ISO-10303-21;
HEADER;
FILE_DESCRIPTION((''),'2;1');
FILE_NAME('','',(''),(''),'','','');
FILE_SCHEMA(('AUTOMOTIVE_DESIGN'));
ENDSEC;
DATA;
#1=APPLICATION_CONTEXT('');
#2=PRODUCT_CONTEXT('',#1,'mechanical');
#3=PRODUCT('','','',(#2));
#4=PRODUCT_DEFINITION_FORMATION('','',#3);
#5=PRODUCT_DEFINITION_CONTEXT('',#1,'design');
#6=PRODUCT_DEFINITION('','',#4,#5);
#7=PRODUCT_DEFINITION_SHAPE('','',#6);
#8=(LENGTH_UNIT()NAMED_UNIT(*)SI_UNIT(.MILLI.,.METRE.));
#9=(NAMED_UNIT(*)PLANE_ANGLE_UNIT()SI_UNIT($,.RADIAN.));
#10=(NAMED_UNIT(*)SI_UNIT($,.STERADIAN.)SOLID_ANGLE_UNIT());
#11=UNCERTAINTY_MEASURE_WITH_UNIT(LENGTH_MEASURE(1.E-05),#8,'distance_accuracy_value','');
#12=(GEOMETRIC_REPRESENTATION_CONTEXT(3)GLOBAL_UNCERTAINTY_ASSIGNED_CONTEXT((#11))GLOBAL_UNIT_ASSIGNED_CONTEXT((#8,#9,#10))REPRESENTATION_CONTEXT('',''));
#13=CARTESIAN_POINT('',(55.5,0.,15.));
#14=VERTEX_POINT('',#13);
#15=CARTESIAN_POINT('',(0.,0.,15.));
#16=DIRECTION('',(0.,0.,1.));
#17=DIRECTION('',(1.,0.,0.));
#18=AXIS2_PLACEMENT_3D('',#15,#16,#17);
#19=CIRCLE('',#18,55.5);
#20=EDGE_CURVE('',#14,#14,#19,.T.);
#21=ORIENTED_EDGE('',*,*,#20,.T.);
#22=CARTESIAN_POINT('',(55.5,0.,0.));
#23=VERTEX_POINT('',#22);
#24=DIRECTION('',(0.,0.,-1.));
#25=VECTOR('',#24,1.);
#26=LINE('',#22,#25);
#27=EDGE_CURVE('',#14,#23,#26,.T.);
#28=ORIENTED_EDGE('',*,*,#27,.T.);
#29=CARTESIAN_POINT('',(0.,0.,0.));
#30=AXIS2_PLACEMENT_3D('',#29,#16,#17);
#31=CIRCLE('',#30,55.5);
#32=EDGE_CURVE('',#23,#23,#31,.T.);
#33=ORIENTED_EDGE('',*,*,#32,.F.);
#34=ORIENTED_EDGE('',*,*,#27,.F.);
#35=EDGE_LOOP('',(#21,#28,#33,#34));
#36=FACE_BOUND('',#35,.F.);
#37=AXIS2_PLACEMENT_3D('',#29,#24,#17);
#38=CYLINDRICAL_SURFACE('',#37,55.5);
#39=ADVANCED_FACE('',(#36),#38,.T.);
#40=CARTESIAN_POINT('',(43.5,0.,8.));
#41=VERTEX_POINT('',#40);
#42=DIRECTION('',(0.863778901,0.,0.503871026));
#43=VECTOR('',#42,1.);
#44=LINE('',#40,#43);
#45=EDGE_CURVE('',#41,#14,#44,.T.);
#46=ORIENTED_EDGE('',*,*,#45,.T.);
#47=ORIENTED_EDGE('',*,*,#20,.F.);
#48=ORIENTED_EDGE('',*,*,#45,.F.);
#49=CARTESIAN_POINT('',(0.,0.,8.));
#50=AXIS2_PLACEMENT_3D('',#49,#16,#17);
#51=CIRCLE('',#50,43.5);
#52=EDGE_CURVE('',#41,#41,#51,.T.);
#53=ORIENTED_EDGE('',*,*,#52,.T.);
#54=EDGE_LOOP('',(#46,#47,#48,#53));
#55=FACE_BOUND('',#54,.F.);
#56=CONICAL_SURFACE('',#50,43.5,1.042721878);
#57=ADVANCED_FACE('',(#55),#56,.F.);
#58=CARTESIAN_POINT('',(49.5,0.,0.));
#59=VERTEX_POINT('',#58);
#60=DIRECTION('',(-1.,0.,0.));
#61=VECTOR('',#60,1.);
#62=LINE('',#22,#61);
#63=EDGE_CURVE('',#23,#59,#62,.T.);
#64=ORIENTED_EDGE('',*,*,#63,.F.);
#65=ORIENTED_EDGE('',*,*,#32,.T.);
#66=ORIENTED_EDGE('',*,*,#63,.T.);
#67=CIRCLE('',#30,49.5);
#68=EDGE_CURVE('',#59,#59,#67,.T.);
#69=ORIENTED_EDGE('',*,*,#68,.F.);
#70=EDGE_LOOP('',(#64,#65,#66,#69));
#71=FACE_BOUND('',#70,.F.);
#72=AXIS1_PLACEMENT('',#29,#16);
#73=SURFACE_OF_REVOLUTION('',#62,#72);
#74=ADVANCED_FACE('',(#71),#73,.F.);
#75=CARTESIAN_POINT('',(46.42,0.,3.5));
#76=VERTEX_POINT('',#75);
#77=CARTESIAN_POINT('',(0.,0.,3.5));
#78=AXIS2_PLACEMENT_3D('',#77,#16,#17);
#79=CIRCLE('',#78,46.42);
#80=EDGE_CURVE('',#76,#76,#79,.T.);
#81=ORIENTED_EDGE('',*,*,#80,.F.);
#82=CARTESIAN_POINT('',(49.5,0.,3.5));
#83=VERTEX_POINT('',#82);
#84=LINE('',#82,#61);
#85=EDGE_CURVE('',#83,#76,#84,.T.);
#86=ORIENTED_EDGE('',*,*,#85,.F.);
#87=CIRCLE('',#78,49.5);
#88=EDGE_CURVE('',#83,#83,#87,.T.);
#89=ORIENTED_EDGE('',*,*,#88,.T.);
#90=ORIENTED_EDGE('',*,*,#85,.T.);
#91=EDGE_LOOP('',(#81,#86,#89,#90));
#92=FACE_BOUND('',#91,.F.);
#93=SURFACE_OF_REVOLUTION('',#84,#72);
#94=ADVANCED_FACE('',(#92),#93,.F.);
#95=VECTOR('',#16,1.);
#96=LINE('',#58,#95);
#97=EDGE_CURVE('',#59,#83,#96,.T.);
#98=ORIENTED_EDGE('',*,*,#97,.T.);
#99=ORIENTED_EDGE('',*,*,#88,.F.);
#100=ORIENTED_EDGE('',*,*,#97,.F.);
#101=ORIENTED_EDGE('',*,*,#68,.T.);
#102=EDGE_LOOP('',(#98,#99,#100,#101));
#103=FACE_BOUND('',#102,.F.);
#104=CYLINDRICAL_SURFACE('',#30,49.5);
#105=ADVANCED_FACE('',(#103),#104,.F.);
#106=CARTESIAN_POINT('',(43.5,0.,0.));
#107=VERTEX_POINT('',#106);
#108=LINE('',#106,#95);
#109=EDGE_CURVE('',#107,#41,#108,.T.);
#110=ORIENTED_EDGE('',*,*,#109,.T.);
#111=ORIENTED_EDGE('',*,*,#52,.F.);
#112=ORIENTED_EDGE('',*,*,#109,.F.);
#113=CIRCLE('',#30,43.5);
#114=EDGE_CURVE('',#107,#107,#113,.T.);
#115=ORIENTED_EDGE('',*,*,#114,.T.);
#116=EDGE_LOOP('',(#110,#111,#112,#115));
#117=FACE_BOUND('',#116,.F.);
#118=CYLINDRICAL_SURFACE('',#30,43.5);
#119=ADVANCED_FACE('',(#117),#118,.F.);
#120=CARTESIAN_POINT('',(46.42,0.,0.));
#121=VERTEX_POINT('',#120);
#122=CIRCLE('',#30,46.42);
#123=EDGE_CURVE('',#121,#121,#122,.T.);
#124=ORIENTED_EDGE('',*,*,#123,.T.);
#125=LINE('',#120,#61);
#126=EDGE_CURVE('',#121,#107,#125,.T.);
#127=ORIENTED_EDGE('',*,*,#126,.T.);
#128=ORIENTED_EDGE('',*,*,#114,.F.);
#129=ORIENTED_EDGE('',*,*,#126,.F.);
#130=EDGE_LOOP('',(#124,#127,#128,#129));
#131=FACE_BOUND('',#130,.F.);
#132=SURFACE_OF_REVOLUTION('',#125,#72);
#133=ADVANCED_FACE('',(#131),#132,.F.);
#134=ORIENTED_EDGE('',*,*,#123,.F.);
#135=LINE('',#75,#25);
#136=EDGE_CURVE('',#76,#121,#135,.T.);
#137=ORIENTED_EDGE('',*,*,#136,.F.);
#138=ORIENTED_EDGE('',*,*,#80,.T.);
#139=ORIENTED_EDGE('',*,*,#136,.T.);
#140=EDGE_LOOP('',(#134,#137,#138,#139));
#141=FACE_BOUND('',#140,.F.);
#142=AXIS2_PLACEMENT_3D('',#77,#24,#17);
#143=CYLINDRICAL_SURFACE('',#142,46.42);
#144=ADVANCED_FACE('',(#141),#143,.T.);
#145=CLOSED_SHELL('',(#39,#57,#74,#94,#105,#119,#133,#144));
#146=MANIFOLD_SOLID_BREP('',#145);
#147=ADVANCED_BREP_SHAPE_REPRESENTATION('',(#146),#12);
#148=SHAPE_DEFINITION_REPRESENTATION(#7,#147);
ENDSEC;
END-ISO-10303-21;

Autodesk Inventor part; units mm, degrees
ref_plane "YZ Plane" through (0, 0, 0) normal (1, 0, 0) x (0, 1, 0)
ref_plane "XZ Plane" through (0, 0, 0) normal (0, 1, 0) x (-1, 0, 0)
ref_plane "XY Plane" through (0, 0, 0) normal (0, 0, 1) x (1, 0, 0)
sketch "Sketch3" plane through (0, 0, 0) normal (0, 0, 1) x (1, 0, 0)
  circle A0 centre (0, 0) radius 55.5
  dimension "d5" = 111
sketch "Sketch4" plane through (0, 0, 0) normal (1, 0, 0) x (0, 1, 0)
  line L0 (55.5, 0) -> (-55.5, 0) construction
  line L1 (-55.5, 0) -> (-55.5, 15)
  line L2 (-55.5, 0) -> (-40.5, 0) construction
  line L3 (-55.5, 0) -> (-49.5, 0) construction
  line L4 (-49.5, 0) -> (-49.5, 3.5)
  line L5 (-49.5, 3.5) -> (-46.42, 3.5)
  line L6 (-49.5, 3.5) -> (-46.42, 3.5) construction
  line L7 (-46.42, 3.5) -> (-46.42, 0)
  line L8 (-46.42, 3.5) -> (-42.92, 3.5) construction
  line L9 (-46.42, 0) -> (-43.5, 0)
  line L10 (-43.5, 0) -> (-43.5, 8)
  line L11 (-43.5, 8) -> (-55.5, 15)
  line L12 (-55.5, 0) -> (-49.5, 0)
  line L13 (-49.5, 0) -> (-49.5, 3.5)
  line L14 (-43.5, 0) -> (-43.5, 8)
  line L15 (-43.5, 8) -> (-55.5, 15)
  line L16 (-55.5, 0) -> (-49.5, 0)
  line L17 (-49.5, 0) -> (-49.5, 3.5)
  line L18 (-46.42, 3.5) -> (-49.5, 3.5)
  line L19 (-46.42, 3.5) -> (-46.42, 0)
  line L20 (-46.42, 0) -> (-43.5, 0)
  point P0 (0, 0)
  dimension "d6" = 15
  dimension "d7" = 90
  dimension "d9" = 3.5
  dimension "d10" = 90
  dimension "d11" = 3.08
  dimension "d12" = 0
  dimension "d13" = 90
  dimension "d15" = 8
  dimension "d18" = 12
  dimension "d19" = 6
sweep "Sweep1" add profiles "Sketch4" path "Sketch3"
properties part number "Shaft"
